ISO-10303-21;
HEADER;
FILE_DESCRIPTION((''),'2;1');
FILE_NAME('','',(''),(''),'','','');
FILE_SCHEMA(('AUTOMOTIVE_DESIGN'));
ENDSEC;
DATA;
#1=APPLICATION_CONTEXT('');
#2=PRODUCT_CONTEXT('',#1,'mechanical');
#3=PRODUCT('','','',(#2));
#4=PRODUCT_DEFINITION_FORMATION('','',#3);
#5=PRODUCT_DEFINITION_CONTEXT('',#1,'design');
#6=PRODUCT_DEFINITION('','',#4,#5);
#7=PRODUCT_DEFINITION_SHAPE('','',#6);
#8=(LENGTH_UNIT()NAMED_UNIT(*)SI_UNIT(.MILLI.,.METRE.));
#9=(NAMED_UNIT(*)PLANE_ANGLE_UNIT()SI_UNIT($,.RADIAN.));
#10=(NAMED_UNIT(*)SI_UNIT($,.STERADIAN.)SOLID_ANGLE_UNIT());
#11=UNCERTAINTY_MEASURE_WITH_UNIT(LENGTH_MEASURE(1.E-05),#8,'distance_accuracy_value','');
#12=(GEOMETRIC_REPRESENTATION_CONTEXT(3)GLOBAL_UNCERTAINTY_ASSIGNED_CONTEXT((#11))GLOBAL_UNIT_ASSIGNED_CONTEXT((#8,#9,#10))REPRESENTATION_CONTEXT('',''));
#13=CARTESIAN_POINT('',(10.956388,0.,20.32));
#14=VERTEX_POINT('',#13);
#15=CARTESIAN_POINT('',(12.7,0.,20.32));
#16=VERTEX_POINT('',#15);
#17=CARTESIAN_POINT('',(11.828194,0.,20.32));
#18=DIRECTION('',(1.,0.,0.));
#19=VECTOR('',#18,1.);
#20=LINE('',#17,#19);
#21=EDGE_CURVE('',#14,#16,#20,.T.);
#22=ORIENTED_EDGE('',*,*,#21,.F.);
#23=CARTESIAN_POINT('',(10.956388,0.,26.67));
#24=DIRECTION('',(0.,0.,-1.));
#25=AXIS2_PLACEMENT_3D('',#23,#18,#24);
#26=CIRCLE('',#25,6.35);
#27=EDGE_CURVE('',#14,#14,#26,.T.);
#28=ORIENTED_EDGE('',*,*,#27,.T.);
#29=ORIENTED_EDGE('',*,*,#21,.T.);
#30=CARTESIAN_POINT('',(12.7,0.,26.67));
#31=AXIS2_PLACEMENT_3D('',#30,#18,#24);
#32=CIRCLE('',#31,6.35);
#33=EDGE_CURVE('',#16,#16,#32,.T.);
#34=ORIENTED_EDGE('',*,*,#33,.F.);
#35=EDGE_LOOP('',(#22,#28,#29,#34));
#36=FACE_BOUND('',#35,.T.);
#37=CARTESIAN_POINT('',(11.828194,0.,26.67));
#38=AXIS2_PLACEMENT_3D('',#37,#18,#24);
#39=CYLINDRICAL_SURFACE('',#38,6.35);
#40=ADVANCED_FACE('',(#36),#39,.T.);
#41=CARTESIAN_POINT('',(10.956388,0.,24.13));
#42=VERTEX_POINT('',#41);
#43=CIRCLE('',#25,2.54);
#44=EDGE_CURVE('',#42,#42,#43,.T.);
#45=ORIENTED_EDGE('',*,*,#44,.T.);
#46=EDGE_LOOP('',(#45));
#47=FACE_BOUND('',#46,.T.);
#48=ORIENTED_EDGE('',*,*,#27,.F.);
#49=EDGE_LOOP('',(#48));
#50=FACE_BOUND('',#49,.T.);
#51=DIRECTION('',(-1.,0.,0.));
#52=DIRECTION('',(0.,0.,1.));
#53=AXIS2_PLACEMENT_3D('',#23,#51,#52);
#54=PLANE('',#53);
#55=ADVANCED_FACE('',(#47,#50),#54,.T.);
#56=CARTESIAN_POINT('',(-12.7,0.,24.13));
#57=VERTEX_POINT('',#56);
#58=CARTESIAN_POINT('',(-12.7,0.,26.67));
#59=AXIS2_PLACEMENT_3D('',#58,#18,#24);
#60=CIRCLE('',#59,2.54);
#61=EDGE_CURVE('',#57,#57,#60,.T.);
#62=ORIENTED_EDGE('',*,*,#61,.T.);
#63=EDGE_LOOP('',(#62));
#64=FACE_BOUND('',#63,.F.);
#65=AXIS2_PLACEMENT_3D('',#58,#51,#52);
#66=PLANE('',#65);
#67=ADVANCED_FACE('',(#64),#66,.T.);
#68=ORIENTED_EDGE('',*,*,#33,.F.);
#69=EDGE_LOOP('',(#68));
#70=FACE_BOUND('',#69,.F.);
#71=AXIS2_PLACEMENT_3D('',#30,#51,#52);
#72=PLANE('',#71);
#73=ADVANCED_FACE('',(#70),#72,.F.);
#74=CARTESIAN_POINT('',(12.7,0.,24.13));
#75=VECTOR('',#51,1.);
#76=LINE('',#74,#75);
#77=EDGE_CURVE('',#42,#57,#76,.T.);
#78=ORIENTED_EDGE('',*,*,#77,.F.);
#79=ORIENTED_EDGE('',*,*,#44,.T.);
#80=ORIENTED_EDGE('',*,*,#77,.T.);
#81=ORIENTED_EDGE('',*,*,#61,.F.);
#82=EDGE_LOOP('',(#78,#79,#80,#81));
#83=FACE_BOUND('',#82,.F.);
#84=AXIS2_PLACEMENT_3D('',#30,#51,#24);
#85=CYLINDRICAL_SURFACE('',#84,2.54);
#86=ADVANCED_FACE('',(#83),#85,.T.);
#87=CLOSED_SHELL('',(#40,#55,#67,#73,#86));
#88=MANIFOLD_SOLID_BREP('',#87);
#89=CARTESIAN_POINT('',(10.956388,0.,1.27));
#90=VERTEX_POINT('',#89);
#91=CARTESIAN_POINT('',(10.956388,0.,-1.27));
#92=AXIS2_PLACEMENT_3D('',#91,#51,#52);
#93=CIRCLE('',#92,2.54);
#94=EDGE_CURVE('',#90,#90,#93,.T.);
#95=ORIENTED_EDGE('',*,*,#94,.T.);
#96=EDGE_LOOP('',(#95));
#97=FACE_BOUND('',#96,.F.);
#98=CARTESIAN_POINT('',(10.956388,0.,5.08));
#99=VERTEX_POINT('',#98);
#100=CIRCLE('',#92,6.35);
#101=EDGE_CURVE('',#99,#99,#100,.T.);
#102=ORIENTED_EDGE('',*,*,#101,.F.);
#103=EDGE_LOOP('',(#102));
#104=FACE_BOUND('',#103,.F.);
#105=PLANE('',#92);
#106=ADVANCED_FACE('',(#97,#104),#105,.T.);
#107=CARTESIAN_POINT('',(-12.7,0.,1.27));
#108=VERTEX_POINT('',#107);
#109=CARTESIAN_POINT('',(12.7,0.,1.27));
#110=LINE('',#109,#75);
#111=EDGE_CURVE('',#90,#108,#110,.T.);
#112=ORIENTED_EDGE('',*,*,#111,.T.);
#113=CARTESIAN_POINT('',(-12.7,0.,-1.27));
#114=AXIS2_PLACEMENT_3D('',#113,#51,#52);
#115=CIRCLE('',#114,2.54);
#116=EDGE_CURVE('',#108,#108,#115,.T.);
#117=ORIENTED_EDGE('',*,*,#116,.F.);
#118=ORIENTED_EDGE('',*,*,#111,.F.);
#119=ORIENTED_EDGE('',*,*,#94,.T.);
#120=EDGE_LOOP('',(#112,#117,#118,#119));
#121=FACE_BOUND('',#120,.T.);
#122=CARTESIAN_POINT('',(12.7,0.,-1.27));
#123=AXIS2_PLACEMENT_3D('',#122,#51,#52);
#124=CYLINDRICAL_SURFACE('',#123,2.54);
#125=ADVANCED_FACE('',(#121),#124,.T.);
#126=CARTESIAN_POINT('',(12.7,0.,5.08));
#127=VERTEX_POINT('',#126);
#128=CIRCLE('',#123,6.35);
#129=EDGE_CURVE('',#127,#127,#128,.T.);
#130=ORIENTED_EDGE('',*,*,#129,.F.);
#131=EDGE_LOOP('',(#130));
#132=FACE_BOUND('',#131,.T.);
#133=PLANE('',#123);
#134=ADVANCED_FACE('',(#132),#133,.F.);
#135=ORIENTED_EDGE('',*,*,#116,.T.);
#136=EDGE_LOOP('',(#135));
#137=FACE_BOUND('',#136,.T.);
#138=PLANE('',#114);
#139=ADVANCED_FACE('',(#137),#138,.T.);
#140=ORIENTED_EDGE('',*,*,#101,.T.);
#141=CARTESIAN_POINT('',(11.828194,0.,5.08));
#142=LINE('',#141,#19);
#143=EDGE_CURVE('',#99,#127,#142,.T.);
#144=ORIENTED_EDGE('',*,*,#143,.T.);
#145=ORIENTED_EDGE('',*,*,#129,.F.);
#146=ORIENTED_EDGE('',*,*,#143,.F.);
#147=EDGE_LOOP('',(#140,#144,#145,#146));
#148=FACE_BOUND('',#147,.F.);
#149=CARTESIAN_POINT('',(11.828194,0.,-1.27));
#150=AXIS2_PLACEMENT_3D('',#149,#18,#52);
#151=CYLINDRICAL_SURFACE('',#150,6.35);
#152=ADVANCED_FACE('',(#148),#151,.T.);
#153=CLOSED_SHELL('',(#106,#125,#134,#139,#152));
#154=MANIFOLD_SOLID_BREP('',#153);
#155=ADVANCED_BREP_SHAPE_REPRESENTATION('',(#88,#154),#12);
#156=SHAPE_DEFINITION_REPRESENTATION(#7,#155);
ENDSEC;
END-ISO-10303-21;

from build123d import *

# Parameters (mm, degrees)
F0_W = 1.743612
F0_H = 3.81


with BuildPart() as f1:
    # F0 (on Front) → F1 (revolve)
    with BuildSketch(Plane.XZ):
        Polygon((-12.7, -1.27), (12.7, -1.27), (12.7, 1.27), (10.956388, 1.27), (-12.7, 1.27), align=None)
        with Locations((11.828194, 3.175)):
            Rectangle(F0_W, F0_H)
    revolve(axis=Axis((0, 0, -1.27), (-1, 0, 0)))


with BuildPart() as f3_1:
    # F3: instance of F1
    add(f1.part.mirror(Plane.XY.offset(12.7)))


solid = Compound([f1.part, f3_1.part])
